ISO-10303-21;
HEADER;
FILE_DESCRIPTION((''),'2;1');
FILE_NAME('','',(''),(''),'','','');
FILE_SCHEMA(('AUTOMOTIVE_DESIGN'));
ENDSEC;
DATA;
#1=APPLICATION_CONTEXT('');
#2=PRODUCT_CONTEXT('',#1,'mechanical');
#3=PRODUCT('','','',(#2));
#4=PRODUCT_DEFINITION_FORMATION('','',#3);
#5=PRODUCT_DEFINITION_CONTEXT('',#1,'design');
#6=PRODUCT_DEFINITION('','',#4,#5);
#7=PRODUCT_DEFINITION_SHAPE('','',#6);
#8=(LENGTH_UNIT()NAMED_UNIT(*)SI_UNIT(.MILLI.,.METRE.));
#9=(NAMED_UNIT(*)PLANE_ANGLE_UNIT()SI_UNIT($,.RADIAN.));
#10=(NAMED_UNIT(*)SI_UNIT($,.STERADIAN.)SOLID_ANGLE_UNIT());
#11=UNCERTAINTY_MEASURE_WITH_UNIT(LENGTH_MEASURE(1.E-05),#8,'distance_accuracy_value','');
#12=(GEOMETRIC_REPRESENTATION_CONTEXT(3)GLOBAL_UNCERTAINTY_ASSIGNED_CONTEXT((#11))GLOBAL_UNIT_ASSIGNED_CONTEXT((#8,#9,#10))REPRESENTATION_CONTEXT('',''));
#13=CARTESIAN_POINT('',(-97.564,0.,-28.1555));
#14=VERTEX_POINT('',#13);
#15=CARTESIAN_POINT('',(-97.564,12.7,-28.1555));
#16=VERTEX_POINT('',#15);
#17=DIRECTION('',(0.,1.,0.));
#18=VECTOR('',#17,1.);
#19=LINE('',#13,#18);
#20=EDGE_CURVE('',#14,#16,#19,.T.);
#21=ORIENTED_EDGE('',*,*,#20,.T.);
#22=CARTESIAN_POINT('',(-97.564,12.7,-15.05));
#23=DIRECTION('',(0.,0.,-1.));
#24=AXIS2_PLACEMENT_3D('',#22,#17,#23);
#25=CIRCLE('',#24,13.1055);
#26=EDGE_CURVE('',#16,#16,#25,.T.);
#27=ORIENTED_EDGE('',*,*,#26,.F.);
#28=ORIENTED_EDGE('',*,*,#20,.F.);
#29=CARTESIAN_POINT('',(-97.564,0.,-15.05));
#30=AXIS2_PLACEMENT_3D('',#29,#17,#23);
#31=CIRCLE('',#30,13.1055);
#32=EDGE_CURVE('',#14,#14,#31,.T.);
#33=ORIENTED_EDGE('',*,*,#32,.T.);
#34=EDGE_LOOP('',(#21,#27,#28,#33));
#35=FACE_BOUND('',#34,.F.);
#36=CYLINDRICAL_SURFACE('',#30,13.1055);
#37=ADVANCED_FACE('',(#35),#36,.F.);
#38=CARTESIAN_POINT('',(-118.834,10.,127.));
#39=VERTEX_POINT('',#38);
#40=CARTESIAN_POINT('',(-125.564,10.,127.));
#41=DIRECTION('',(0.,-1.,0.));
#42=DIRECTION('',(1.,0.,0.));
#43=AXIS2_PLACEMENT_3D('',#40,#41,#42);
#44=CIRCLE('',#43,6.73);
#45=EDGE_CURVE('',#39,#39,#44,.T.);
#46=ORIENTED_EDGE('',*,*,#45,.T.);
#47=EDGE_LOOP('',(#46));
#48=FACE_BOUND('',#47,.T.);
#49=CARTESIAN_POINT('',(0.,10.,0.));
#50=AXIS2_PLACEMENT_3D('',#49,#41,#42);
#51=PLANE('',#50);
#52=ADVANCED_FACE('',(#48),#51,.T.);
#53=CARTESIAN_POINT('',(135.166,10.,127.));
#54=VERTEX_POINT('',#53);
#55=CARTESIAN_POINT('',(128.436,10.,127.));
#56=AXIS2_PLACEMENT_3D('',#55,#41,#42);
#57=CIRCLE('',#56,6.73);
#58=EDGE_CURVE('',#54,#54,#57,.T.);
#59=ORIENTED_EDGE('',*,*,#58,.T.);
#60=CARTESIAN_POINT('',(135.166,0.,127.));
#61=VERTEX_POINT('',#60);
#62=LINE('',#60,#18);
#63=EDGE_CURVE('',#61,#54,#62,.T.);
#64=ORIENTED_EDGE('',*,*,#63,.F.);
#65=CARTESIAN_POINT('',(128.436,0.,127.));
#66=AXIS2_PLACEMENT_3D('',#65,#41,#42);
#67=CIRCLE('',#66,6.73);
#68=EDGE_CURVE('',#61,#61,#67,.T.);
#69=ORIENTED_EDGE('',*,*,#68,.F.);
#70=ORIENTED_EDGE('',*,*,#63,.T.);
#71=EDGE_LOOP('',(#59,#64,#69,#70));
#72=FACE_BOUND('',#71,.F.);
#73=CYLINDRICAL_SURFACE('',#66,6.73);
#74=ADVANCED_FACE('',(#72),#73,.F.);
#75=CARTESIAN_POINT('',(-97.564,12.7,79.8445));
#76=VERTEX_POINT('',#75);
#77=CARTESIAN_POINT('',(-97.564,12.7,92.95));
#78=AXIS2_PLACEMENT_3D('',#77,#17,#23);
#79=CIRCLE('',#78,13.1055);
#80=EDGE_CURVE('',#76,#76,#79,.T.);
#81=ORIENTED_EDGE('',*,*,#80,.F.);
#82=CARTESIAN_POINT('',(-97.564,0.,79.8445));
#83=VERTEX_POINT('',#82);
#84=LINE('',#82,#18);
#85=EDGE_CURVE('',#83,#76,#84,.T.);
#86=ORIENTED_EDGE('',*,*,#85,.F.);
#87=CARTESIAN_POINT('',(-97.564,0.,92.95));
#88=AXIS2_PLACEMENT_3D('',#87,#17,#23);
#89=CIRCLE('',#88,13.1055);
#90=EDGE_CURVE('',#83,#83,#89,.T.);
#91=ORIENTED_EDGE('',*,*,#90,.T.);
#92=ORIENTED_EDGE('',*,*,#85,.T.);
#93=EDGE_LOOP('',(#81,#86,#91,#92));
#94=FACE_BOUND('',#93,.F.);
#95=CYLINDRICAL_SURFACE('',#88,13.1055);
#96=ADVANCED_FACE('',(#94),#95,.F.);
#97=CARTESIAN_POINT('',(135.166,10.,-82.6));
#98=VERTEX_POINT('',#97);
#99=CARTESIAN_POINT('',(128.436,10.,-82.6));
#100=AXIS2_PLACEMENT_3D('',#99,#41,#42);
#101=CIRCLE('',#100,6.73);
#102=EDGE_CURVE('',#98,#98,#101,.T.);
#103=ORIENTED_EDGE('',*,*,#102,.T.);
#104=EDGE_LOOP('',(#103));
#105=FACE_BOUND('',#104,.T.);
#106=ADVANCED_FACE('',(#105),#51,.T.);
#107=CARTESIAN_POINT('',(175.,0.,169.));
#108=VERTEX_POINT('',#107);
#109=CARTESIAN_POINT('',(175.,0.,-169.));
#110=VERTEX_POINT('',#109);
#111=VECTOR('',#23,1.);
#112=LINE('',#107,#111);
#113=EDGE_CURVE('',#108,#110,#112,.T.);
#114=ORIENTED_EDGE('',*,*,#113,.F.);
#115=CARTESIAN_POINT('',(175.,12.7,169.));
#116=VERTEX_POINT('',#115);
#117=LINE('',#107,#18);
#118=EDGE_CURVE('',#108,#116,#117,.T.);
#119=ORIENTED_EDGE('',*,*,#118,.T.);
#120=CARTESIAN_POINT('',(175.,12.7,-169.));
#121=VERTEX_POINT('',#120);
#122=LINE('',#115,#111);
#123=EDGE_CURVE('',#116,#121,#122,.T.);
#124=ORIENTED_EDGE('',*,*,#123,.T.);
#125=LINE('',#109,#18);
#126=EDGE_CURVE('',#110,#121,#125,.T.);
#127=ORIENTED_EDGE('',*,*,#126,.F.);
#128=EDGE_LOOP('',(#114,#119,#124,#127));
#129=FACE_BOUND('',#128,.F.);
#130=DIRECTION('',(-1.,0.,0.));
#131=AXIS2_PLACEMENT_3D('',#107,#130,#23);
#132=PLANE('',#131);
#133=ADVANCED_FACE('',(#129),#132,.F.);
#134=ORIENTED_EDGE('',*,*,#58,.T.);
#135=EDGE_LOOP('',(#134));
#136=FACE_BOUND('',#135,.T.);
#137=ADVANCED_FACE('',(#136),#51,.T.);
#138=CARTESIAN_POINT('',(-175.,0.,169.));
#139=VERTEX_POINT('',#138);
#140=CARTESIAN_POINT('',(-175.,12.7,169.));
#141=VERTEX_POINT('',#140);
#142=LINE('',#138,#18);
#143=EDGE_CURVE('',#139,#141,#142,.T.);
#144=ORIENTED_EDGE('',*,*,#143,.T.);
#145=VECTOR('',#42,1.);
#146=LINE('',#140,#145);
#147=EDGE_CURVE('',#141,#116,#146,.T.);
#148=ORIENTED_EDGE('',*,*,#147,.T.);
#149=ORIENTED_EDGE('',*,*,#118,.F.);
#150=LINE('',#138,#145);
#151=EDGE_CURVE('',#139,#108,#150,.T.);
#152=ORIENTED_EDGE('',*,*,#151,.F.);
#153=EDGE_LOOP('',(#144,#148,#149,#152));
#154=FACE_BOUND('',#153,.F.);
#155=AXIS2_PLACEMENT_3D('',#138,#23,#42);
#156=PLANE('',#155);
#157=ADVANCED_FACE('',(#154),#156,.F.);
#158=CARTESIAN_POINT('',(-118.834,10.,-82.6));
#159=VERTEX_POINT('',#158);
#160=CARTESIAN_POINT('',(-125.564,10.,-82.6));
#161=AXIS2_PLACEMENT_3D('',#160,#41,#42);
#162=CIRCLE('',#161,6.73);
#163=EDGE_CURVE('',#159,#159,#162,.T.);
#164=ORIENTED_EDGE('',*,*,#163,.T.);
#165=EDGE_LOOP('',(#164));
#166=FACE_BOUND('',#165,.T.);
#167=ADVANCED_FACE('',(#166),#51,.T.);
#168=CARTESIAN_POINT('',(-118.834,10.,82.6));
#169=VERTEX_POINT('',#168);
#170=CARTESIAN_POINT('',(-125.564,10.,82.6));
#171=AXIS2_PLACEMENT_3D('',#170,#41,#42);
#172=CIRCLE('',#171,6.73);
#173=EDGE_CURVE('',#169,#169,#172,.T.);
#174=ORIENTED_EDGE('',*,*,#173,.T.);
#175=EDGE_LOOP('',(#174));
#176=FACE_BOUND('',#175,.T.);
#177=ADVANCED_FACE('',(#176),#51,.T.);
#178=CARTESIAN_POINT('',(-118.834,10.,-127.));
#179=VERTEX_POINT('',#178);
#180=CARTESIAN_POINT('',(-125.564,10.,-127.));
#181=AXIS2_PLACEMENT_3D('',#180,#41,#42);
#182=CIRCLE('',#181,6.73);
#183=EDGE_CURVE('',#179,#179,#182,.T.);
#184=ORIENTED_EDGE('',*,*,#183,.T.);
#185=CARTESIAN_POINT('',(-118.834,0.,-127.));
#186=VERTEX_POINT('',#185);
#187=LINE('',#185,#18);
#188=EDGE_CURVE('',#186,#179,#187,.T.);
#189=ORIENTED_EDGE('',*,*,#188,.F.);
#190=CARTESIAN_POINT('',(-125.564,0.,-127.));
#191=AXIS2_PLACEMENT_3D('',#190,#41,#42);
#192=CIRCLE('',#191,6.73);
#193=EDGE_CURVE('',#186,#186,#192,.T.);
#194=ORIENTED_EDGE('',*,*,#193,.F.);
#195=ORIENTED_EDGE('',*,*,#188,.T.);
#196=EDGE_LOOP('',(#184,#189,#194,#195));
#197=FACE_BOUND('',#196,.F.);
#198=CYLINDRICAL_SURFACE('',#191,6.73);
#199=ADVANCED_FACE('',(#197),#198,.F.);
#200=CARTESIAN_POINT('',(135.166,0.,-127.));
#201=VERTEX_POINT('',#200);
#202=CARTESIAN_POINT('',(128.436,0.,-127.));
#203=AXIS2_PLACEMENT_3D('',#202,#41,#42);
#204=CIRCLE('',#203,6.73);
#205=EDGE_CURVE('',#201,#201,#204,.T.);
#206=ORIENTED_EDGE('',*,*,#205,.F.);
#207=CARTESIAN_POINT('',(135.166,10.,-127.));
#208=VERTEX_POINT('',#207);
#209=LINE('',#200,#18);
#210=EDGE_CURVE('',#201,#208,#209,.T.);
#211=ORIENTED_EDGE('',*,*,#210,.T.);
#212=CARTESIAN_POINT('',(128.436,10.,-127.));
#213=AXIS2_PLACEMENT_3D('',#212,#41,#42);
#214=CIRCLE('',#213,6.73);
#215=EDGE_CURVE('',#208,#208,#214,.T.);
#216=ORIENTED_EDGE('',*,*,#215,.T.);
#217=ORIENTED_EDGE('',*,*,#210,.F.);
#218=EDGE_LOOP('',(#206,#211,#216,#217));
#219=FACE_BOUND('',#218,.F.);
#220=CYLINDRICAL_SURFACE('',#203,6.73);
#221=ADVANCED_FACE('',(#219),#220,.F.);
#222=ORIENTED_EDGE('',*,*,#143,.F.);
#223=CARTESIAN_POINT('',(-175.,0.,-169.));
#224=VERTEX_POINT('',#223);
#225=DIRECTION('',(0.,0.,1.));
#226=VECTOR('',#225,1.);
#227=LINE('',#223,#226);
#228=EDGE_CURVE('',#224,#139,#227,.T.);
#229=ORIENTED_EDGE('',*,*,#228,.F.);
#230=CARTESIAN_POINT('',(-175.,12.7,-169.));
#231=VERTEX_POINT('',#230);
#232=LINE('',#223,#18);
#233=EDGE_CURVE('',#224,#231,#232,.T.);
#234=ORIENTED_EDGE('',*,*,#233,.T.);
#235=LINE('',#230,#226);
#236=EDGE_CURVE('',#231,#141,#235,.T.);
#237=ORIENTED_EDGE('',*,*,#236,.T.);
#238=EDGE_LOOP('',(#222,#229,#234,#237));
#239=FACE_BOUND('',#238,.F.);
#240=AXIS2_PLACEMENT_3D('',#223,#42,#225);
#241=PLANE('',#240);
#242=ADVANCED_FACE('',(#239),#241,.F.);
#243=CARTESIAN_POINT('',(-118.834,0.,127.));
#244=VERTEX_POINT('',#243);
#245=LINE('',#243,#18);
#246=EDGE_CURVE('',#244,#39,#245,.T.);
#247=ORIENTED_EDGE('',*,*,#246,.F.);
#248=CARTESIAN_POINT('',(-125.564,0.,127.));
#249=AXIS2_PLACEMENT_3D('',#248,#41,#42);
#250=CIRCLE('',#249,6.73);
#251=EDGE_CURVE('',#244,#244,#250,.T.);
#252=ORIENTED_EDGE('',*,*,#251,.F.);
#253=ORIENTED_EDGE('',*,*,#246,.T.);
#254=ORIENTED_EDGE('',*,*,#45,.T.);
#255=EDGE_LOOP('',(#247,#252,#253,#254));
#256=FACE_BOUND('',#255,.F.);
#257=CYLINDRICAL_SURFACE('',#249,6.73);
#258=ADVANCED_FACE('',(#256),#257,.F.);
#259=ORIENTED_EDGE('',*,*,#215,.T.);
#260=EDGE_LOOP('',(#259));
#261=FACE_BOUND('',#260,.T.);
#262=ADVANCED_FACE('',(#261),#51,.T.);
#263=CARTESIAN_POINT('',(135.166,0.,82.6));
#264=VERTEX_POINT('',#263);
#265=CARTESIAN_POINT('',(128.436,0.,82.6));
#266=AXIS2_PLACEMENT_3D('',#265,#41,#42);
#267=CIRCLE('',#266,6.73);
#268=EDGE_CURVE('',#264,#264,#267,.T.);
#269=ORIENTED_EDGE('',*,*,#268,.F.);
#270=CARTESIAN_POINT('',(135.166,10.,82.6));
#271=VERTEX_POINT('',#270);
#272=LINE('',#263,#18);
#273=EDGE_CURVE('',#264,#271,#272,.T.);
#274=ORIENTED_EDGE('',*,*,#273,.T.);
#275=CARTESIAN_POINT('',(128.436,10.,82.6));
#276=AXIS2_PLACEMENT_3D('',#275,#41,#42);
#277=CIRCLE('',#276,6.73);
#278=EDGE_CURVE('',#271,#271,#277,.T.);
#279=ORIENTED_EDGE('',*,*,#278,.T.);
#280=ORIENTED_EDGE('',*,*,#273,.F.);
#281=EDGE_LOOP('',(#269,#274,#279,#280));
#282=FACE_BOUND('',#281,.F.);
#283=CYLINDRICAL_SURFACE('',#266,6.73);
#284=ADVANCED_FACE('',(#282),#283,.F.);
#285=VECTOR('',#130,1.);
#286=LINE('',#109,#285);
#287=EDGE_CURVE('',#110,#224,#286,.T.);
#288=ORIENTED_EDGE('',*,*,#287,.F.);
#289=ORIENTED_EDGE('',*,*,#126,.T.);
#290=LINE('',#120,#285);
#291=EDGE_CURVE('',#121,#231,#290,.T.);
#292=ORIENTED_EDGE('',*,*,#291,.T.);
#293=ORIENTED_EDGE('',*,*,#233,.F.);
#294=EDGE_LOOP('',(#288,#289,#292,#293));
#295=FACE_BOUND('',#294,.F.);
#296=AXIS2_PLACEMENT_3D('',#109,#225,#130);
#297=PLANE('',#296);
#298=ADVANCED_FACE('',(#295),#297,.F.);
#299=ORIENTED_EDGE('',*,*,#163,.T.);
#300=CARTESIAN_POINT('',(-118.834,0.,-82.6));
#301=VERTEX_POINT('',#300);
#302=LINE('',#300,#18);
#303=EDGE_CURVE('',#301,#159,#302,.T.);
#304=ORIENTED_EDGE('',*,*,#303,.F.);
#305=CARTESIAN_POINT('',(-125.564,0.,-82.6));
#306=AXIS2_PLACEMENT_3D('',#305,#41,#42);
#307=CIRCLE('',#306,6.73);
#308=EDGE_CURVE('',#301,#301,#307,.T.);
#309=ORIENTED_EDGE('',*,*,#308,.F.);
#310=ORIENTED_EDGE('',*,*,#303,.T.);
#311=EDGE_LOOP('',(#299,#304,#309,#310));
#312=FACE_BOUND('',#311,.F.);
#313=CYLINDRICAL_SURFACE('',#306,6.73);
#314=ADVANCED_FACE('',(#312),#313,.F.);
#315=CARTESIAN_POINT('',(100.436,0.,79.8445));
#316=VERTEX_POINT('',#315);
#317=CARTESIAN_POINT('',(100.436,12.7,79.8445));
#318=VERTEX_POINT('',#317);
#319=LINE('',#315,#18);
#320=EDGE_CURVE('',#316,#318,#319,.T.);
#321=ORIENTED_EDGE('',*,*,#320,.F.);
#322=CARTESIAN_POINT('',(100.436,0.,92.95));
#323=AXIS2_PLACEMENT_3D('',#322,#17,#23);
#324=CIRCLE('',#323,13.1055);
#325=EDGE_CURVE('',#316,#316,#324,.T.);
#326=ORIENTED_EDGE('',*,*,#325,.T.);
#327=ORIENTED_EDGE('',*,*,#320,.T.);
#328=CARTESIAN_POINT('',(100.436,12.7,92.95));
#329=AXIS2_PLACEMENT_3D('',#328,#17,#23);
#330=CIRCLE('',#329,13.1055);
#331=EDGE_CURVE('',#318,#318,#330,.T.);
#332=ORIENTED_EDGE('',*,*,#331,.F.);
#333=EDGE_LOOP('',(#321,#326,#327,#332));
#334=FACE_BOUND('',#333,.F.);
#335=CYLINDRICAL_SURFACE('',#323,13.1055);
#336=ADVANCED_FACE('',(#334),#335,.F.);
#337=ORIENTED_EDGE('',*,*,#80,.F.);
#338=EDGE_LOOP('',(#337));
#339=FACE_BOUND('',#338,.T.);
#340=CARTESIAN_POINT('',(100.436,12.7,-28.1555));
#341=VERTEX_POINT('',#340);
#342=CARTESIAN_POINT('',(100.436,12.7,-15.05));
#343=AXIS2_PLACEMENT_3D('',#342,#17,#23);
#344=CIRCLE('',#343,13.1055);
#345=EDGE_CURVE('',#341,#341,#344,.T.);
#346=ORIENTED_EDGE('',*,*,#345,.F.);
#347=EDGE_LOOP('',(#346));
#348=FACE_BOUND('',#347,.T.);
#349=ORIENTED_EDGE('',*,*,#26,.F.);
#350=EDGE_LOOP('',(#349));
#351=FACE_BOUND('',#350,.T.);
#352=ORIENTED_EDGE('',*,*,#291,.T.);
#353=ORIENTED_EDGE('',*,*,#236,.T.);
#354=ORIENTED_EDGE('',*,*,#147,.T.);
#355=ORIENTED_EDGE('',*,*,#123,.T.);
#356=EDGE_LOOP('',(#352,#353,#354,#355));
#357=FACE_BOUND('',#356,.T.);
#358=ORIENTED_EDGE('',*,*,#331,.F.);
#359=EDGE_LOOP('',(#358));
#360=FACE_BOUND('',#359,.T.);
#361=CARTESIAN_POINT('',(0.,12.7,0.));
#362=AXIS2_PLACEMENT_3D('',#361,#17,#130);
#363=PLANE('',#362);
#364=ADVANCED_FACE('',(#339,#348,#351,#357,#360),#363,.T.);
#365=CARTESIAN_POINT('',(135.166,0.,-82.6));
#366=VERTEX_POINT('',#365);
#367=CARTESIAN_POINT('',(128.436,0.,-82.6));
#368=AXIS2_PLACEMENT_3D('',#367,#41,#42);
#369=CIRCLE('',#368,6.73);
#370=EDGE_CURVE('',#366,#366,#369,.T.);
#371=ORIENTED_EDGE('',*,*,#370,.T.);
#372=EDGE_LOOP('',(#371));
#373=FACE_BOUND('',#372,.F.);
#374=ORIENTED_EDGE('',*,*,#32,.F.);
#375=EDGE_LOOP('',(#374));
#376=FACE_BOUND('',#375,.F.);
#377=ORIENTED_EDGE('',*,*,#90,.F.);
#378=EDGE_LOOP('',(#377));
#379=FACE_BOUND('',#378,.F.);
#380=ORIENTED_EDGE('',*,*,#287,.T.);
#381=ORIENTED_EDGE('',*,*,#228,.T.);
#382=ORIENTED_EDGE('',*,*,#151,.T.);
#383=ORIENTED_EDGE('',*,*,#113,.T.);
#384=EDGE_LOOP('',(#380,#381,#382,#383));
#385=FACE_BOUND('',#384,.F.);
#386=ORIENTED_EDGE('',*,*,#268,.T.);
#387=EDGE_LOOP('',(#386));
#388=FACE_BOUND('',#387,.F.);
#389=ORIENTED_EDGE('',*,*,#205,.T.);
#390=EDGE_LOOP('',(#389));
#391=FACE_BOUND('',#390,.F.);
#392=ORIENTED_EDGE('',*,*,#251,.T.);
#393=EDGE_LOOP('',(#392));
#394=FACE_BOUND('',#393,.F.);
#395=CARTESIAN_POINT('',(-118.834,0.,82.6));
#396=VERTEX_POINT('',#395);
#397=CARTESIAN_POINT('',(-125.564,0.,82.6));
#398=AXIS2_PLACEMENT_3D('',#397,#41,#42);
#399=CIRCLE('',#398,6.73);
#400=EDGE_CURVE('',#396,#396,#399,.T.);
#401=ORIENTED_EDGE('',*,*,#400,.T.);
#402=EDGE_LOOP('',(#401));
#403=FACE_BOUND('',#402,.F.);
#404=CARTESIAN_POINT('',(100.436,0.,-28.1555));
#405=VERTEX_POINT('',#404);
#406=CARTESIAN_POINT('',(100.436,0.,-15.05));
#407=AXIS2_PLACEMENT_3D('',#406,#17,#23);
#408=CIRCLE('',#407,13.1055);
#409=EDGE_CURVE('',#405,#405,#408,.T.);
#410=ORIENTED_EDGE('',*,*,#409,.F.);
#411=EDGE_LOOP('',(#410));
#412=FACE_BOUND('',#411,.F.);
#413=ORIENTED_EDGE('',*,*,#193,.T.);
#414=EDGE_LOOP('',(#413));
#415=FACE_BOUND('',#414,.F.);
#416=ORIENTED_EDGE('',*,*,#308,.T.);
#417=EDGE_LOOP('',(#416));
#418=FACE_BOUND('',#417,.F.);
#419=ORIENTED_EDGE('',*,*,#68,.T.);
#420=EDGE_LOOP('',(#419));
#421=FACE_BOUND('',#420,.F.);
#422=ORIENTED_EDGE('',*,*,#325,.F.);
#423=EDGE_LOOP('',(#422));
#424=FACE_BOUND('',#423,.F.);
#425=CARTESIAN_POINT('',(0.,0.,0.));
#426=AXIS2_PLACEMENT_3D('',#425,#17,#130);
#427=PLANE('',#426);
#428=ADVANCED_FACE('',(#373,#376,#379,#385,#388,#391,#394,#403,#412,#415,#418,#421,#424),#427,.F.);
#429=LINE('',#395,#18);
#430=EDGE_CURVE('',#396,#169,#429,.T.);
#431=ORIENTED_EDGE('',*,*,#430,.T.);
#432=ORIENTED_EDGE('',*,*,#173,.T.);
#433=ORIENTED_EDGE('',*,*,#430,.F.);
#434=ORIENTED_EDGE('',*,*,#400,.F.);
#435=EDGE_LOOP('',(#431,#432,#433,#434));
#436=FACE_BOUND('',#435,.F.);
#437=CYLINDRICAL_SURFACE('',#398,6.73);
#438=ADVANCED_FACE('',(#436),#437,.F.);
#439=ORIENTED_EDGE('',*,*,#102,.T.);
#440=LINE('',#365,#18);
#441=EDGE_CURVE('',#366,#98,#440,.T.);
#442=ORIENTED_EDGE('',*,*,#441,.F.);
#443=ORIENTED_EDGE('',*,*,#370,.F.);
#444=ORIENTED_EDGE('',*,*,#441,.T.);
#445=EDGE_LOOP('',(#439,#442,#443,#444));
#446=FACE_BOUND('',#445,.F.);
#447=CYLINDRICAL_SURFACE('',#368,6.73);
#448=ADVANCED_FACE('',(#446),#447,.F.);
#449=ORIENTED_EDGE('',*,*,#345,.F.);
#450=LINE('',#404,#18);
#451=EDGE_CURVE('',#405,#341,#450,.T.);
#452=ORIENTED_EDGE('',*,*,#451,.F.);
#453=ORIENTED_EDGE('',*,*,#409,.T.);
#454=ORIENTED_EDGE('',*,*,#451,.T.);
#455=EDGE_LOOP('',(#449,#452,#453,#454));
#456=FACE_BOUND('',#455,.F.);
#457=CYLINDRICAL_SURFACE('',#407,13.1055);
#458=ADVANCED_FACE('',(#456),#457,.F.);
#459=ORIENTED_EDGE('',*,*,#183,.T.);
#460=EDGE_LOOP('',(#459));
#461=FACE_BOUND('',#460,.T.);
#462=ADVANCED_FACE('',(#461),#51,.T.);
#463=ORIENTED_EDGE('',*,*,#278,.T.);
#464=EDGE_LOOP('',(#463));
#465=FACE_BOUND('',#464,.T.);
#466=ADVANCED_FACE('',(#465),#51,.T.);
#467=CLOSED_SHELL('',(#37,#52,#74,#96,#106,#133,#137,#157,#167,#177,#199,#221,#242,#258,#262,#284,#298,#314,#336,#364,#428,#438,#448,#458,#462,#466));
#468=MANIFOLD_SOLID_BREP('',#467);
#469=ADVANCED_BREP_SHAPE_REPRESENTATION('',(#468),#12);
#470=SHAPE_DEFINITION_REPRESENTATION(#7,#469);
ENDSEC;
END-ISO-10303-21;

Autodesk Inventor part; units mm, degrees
ref_plane "YZ Plane" through (0, 0, 0) normal (1, 0, 0) x (0, 1, 0)
ref_plane "XZ Plane" through (0, 0, 0) normal (0, 1, 0) x (-1, 0, 0)
ref_plane "XY Plane" through (0, 0, 0) normal (0, 0, 1) x (1, 0, 0)
sketch "Sketch1" plane through (0, 0, 0) normal (0, 1, 0) x (-1, 0, 0)
  line L0 (-175, -169) -> (175, -169)
  line L1 (175, -169) -> (175, 169)
  line L2 (175, 169) -> (-175, 169)
  line L3 (-175, 169) -> (-175, -169)
  line L4 (-175, -169) -> (175, 169) construction
  line L5 (175, -169) -> (-175, 169) construction
  point P0 (0, 0)
  dimension "d0" = 338
  dimension "d1" = 350
extrude "Extrusion1" add sketch "Sketch1" along normal blind 12.7
sketch "Sketch2" plane through (0, 0, 0) normal (0, -1, 0) x (1, 0, 0)
  circle A0 centre (-97.564, 92.95) radius 12 projected
  circle A1 centre (-97.564, -15.05) radius 12 projected
  circle A2 centre (-97.564, -15.05) radius 12 projected
  circle A3 centre (100.436, 92.95) radius 12 projected
  circle A4 centre (100.436, -15.05) radius 12 projected
  circle A5 centre (-125.564, 127) radius 6.73 projected
  circle A6 centre (-125.564, 82.6) radius 6.73 projected
  circle A7 centre (-125.564, -82.6) radius 6.73 projected
  circle A8 centre (-125.564, -127) radius 6.73 projected
  circle A9 centre (128.436, -127) radius 6.73 projected
  circle A10 centre (128.436, -82.6) radius 6.73 projected
  circle A11 centre (128.436, 82.6) radius 6.73 projected
  circle A12 centre (128.436, 127) radius 6.73 projected
  point P0 (0, 0)
extrude "Extrusion2" cut sketch "Sketch2" against normal blind 10
sketch "Sketch3" plane through (0, 0, 0) normal (0, -1, 0) x (1, 0, 0)
  circle A0 centre (-97.564, -15.05) radius 12 projected
  circle A1 centre (-97.564, 92.95) radius 12 projected
  circle A2 centre (100.436, -15.05) radius 12 projected
  circle A3 centre (100.436, 92.95) radius 12 projected
  point P0 (0, 0)
hole "Hole1" at (-97.564, 0, -15.05) at (-97.564, 0, 92.95) at (100.436, 0, -15.05) at (100.436, 0, 92.95) direction (0, 1, 0) diameter 26.211 depth 12.7 thread size "M30x3.5" class "6H" standard "ANSI Metric M Profile"
properties part number "PLACA BASE"
